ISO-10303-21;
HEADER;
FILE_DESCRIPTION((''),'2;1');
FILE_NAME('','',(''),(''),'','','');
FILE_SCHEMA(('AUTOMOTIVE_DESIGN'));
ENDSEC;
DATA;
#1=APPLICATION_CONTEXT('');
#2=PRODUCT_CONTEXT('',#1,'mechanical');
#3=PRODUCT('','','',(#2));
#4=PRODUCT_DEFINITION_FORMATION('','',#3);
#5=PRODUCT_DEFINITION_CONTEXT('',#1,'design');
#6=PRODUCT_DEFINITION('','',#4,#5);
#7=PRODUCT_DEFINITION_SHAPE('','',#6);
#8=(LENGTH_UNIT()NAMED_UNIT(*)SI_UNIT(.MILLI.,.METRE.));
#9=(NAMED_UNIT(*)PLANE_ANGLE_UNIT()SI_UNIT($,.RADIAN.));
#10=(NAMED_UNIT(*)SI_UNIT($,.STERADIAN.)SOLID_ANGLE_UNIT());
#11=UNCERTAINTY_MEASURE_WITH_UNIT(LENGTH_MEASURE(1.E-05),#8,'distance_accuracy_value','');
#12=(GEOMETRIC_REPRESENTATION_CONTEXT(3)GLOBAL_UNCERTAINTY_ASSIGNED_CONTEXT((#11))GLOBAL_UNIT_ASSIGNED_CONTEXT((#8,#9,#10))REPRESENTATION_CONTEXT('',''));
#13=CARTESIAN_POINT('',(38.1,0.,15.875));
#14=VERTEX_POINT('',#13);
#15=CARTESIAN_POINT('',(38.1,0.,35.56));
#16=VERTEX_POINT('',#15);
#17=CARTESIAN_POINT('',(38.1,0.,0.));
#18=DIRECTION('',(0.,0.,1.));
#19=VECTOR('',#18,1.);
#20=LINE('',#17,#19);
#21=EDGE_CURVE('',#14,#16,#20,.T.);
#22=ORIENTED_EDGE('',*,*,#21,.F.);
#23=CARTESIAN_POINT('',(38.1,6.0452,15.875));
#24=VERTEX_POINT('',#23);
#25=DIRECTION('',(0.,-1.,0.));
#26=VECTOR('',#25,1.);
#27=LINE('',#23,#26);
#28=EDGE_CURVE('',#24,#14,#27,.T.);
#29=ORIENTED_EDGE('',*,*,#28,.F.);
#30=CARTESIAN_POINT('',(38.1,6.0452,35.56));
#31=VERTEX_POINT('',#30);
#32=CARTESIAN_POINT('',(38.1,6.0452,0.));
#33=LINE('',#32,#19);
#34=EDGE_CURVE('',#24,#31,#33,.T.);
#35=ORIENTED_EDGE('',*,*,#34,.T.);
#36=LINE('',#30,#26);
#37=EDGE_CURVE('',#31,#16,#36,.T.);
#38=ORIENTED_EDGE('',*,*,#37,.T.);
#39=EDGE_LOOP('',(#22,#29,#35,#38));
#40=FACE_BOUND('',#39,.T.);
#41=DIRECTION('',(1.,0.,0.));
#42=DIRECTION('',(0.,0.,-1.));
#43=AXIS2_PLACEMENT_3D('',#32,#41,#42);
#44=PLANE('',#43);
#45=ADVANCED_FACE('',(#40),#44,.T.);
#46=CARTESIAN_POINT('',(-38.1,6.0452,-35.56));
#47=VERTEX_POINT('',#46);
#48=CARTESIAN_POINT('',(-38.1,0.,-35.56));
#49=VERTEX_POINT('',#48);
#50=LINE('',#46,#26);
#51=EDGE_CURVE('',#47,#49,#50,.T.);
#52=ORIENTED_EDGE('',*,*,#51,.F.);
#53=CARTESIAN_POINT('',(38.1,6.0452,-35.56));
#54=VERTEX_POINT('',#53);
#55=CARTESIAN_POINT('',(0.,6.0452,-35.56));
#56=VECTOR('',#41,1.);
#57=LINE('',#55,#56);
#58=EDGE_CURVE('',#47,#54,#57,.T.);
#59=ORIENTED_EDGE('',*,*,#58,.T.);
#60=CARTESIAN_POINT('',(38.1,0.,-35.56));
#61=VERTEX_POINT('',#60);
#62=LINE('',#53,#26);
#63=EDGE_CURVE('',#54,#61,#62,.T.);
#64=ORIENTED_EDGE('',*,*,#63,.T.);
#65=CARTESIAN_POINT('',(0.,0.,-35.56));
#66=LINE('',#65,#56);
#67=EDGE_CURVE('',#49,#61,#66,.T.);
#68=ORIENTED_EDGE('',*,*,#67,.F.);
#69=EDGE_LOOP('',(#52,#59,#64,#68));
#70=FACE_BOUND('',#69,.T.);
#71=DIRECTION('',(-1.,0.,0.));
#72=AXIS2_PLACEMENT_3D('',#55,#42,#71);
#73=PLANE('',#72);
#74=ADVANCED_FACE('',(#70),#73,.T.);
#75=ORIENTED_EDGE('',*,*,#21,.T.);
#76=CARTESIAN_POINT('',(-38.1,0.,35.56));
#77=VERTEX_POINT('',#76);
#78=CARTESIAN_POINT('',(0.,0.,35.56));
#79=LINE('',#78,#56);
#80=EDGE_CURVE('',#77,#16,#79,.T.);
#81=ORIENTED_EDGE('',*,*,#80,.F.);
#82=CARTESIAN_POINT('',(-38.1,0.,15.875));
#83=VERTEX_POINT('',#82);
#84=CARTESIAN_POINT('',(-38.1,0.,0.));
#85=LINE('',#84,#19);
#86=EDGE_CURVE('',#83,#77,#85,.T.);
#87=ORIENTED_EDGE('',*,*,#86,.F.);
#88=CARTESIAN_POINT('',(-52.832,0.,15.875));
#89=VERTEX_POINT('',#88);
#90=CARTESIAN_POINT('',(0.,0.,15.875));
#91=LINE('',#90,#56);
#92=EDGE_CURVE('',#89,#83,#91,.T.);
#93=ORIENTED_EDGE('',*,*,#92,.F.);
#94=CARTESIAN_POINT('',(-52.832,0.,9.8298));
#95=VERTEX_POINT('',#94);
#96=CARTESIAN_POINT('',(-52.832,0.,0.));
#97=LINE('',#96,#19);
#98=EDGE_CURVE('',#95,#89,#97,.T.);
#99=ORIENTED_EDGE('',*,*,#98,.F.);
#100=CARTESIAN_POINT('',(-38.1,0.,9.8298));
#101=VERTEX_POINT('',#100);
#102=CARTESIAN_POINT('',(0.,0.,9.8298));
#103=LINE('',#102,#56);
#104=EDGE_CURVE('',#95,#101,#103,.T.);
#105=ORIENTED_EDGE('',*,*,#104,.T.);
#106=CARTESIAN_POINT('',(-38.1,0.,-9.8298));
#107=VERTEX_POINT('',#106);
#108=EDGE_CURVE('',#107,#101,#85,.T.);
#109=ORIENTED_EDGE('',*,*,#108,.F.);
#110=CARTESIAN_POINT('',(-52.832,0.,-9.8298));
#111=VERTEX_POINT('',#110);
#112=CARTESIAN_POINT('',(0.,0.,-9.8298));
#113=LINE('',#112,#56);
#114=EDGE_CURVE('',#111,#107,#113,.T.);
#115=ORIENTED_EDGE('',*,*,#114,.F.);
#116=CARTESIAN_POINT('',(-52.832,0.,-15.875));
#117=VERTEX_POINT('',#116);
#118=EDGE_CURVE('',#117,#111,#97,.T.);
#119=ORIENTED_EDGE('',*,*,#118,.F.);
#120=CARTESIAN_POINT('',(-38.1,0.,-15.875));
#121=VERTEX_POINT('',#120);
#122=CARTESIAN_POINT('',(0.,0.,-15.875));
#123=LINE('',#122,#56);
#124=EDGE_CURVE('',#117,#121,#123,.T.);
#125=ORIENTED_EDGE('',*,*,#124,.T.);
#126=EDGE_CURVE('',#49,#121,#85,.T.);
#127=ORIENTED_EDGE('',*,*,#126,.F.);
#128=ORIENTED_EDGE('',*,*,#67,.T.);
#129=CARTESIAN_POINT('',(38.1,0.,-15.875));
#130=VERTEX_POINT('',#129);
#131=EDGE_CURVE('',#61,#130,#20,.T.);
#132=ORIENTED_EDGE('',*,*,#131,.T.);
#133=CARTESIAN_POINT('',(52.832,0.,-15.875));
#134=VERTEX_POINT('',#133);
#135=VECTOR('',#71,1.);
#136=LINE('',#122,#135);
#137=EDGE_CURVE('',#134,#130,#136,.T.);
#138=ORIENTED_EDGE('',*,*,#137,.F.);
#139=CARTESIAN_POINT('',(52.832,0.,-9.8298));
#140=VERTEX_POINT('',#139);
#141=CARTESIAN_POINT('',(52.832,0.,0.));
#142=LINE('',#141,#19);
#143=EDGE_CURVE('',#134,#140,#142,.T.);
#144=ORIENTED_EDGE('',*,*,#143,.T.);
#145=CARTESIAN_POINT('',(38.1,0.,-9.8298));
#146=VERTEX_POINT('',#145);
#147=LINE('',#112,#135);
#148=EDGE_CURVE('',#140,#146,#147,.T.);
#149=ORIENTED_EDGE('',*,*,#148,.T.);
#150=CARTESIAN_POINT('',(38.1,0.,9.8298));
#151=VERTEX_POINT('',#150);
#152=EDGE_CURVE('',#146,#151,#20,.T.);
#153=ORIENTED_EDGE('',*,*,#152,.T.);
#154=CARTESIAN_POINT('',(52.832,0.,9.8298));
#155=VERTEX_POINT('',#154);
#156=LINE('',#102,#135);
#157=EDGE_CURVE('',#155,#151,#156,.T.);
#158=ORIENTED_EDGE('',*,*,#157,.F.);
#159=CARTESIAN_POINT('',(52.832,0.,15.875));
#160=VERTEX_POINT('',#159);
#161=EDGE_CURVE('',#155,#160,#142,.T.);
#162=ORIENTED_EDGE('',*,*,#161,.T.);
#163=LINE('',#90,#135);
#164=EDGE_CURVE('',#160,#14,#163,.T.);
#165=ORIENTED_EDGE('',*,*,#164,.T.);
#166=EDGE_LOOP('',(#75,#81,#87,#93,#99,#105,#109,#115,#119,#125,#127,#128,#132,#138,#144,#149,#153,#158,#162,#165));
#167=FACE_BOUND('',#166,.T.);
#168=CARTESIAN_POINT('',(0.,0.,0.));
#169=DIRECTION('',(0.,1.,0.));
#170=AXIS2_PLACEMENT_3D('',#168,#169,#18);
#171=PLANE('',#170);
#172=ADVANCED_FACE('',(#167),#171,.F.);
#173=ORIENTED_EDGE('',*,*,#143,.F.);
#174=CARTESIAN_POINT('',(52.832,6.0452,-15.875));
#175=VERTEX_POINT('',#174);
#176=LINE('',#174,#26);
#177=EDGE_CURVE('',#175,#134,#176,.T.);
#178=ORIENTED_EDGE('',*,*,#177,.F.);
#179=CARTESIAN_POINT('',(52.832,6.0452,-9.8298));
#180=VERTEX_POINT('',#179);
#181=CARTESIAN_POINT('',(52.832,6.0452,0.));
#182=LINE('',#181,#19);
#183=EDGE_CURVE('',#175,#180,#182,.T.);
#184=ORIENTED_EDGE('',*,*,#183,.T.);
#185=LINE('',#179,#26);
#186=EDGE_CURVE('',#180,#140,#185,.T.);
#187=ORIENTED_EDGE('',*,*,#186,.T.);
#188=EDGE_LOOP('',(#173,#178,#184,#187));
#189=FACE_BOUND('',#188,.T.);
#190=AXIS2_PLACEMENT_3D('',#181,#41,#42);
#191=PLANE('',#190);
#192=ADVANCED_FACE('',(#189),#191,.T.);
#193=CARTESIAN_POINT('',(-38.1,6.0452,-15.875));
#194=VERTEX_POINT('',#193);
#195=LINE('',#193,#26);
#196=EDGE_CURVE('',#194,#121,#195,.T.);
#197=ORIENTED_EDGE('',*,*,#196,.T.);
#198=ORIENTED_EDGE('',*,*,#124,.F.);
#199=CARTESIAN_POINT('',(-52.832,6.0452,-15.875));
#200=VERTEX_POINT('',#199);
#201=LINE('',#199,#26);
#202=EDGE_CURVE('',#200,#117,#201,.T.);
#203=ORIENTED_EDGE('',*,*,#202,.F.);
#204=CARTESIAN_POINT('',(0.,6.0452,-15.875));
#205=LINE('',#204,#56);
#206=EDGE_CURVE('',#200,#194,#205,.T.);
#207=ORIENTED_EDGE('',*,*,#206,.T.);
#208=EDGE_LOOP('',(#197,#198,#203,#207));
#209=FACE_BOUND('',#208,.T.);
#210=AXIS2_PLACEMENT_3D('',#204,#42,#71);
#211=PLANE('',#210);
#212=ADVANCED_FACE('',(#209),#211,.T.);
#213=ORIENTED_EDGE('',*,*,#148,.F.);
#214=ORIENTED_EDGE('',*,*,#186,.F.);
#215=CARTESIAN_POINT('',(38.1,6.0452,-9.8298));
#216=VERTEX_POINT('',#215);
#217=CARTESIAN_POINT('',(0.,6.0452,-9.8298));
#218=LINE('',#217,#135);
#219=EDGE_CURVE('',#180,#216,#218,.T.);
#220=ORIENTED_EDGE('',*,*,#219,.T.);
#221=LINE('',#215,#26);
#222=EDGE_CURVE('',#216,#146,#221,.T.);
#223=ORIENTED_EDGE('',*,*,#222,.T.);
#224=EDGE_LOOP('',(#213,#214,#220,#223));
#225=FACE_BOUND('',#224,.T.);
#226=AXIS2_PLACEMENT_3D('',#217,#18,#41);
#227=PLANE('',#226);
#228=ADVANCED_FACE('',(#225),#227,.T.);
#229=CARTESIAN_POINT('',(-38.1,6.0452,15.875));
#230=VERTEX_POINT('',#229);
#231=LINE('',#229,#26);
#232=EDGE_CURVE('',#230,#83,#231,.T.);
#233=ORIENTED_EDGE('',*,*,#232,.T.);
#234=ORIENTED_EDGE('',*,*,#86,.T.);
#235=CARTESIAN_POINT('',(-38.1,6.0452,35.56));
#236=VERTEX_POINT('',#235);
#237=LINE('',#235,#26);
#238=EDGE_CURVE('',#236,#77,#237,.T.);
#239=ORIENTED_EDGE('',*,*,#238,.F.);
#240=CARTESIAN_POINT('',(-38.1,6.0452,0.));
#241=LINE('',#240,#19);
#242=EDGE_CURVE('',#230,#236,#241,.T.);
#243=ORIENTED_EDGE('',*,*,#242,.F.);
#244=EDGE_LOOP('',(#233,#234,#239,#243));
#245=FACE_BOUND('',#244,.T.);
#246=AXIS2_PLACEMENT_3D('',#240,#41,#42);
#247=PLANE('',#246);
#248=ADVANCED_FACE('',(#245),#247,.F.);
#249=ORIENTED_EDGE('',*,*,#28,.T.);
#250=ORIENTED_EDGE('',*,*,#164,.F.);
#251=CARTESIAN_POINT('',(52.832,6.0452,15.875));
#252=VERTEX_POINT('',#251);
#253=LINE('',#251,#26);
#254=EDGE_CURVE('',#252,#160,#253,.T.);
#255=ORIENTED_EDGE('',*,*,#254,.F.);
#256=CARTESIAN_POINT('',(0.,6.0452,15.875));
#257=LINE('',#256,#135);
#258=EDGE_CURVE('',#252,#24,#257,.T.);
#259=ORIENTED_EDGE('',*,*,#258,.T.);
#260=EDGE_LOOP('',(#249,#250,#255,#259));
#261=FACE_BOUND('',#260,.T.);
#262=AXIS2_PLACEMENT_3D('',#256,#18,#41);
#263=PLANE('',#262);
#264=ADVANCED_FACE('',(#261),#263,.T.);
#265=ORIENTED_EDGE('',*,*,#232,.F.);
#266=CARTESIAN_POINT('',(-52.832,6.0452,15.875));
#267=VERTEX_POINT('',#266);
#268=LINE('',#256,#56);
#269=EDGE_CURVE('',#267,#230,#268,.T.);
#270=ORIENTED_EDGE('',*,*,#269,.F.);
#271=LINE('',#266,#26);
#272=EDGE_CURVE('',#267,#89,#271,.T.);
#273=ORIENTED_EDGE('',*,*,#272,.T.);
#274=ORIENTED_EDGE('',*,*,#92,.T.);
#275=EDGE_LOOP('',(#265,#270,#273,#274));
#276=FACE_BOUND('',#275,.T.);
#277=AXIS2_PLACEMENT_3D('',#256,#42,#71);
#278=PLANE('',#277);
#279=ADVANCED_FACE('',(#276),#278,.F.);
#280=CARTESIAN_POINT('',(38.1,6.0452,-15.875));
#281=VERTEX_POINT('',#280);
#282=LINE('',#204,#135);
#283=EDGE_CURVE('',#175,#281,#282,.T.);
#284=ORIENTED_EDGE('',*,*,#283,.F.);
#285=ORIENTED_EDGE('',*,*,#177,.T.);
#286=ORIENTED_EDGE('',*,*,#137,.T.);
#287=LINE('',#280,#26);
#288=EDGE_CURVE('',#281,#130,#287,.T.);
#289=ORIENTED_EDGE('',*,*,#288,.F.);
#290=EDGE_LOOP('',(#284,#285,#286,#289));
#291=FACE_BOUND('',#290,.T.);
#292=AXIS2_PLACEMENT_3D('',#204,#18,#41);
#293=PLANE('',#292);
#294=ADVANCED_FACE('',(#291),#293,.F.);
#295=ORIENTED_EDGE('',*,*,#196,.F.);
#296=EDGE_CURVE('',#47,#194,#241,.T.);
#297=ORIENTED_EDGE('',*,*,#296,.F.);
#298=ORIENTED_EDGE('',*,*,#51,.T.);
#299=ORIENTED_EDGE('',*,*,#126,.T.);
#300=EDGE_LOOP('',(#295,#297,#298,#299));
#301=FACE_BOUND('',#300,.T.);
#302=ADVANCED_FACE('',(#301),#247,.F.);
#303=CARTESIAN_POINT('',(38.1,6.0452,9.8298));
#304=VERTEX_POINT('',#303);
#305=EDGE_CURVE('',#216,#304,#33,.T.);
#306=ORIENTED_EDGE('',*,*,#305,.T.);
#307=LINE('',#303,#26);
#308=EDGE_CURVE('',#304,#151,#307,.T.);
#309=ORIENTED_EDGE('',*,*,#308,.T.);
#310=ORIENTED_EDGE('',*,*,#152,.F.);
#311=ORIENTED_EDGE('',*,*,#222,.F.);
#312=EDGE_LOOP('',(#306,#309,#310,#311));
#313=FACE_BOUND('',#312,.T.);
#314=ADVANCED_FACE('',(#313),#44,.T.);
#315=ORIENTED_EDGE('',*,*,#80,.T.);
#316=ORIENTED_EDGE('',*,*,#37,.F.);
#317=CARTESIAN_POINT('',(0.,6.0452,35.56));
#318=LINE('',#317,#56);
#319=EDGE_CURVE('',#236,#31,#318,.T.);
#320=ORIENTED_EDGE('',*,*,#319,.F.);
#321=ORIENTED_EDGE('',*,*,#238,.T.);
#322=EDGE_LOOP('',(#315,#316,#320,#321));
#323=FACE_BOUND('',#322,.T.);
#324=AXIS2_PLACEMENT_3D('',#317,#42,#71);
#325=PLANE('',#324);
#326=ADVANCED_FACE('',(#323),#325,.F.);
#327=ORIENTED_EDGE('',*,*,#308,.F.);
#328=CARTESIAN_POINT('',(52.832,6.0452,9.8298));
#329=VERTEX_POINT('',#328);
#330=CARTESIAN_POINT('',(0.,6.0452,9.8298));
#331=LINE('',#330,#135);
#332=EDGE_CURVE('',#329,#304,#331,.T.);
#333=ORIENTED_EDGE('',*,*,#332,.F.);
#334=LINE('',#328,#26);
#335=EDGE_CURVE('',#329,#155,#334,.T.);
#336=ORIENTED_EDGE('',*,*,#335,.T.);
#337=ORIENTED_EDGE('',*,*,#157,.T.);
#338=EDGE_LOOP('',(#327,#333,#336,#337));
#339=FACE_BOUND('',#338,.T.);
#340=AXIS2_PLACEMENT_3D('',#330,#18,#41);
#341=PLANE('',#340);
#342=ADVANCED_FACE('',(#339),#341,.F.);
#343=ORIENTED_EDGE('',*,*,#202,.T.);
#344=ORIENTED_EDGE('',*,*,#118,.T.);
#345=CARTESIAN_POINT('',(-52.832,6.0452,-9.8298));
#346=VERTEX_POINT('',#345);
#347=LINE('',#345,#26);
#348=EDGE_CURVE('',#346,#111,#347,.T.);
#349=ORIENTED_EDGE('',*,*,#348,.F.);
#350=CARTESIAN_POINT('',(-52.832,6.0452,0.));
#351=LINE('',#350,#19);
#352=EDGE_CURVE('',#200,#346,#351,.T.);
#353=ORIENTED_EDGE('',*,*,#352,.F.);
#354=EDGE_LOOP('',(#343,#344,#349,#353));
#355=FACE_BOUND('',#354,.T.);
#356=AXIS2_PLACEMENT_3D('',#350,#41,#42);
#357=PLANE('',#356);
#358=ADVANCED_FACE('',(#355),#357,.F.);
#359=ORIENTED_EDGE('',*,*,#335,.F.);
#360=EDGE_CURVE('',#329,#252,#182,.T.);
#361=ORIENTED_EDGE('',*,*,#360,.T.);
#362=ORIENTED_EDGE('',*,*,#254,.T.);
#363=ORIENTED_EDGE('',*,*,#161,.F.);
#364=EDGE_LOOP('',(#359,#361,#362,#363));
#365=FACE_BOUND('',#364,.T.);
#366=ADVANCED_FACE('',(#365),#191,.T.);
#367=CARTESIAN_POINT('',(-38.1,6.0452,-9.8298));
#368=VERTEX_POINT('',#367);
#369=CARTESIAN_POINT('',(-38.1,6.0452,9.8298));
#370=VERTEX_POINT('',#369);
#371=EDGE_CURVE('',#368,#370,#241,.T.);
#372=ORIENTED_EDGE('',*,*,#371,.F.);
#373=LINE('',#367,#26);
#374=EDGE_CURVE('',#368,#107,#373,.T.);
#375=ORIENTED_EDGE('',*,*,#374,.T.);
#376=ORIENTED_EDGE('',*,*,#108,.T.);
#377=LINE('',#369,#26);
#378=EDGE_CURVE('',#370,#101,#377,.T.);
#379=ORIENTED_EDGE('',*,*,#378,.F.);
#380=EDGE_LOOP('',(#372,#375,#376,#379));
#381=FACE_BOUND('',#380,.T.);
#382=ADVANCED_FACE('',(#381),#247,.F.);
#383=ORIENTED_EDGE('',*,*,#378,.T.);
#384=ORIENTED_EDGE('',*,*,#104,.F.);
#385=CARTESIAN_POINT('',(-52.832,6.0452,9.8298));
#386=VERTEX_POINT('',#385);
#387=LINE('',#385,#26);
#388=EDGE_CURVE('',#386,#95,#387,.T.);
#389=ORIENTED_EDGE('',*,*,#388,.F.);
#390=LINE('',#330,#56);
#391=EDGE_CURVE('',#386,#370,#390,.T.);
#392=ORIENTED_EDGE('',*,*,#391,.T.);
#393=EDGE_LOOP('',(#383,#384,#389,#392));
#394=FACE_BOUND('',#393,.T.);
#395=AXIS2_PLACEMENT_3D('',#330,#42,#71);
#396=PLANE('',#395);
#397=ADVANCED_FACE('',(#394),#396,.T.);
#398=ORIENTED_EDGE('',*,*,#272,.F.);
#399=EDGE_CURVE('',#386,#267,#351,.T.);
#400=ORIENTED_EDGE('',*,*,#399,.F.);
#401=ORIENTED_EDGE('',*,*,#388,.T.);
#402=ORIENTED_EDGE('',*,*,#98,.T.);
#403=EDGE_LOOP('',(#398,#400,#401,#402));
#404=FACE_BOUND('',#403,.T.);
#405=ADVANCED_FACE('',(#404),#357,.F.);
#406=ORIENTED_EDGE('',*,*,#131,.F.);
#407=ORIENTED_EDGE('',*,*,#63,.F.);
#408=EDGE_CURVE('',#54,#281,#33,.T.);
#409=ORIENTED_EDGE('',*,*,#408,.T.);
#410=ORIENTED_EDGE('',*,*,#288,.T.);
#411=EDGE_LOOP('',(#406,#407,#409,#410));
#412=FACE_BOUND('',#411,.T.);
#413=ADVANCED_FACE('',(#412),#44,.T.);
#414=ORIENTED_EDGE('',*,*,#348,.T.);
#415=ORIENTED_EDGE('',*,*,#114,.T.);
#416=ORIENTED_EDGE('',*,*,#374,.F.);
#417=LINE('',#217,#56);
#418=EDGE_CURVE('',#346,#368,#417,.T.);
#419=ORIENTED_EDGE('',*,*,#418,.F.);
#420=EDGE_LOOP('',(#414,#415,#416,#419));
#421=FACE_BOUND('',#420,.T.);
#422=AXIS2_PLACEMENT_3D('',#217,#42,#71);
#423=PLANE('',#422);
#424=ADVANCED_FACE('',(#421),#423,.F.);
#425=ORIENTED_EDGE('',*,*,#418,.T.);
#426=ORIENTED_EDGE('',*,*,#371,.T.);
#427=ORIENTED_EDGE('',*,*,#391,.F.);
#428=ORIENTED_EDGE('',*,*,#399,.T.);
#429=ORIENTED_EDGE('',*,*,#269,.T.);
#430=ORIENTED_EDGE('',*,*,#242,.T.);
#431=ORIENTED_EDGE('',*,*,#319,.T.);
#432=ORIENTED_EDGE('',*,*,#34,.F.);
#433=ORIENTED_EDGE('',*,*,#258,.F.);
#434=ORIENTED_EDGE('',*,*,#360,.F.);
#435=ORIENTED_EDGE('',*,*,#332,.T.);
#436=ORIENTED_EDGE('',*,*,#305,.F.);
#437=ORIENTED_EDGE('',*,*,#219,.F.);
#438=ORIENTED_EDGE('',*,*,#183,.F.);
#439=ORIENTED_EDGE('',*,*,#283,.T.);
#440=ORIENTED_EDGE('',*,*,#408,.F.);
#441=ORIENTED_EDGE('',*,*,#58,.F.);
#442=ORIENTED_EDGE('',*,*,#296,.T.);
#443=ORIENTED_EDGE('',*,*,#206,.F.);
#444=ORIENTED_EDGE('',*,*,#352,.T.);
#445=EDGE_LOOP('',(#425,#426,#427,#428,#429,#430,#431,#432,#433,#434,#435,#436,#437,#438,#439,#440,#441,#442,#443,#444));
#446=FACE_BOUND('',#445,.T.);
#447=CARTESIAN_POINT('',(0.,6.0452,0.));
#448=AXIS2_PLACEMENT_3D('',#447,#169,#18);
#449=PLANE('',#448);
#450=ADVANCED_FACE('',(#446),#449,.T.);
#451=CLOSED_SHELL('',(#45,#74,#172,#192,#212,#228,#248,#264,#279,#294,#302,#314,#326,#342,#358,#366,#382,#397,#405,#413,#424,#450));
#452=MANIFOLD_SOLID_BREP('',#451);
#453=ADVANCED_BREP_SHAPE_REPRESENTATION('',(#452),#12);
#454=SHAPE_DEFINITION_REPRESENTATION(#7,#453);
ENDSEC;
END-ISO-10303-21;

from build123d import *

# Parameters (mm, degrees)
SKETCH1_W           = 76.2
SKETCH1_H           = 71.12
SKETCH1_W_2         = 14.732
SKETCH1_H_2         = 6.0452
BOSS_EXTRUDE1_DEPTH = 6.0452


with BuildPart() as part:
    # Sketch1 → Boss-Extrude1 (new body)
    with BuildSketch(Plane(origin=(0, 0, 0), x_dir=(1, 0, 0), z_dir=(0, 1, 0))):
        Rectangle(SKETCH1_W, SKETCH1_H)
        with Locations((-45.466, -12.8524)):
            Rectangle(SKETCH1_W_2, SKETCH1_H_2)
        with Locations((-45.466, 12.8524)):
            Rectangle(SKETCH1_W_2, SKETCH1_H_2)
        with Locations((45.466, 12.8524)):
            Rectangle(SKETCH1_W_2, SKETCH1_H_2)
        with Locations((45.466, -12.8524)):
            Rectangle(SKETCH1_W_2, SKETCH1_H_2)
    extrude(amount=BOSS_EXTRUDE1_DEPTH)


solid = part.part
